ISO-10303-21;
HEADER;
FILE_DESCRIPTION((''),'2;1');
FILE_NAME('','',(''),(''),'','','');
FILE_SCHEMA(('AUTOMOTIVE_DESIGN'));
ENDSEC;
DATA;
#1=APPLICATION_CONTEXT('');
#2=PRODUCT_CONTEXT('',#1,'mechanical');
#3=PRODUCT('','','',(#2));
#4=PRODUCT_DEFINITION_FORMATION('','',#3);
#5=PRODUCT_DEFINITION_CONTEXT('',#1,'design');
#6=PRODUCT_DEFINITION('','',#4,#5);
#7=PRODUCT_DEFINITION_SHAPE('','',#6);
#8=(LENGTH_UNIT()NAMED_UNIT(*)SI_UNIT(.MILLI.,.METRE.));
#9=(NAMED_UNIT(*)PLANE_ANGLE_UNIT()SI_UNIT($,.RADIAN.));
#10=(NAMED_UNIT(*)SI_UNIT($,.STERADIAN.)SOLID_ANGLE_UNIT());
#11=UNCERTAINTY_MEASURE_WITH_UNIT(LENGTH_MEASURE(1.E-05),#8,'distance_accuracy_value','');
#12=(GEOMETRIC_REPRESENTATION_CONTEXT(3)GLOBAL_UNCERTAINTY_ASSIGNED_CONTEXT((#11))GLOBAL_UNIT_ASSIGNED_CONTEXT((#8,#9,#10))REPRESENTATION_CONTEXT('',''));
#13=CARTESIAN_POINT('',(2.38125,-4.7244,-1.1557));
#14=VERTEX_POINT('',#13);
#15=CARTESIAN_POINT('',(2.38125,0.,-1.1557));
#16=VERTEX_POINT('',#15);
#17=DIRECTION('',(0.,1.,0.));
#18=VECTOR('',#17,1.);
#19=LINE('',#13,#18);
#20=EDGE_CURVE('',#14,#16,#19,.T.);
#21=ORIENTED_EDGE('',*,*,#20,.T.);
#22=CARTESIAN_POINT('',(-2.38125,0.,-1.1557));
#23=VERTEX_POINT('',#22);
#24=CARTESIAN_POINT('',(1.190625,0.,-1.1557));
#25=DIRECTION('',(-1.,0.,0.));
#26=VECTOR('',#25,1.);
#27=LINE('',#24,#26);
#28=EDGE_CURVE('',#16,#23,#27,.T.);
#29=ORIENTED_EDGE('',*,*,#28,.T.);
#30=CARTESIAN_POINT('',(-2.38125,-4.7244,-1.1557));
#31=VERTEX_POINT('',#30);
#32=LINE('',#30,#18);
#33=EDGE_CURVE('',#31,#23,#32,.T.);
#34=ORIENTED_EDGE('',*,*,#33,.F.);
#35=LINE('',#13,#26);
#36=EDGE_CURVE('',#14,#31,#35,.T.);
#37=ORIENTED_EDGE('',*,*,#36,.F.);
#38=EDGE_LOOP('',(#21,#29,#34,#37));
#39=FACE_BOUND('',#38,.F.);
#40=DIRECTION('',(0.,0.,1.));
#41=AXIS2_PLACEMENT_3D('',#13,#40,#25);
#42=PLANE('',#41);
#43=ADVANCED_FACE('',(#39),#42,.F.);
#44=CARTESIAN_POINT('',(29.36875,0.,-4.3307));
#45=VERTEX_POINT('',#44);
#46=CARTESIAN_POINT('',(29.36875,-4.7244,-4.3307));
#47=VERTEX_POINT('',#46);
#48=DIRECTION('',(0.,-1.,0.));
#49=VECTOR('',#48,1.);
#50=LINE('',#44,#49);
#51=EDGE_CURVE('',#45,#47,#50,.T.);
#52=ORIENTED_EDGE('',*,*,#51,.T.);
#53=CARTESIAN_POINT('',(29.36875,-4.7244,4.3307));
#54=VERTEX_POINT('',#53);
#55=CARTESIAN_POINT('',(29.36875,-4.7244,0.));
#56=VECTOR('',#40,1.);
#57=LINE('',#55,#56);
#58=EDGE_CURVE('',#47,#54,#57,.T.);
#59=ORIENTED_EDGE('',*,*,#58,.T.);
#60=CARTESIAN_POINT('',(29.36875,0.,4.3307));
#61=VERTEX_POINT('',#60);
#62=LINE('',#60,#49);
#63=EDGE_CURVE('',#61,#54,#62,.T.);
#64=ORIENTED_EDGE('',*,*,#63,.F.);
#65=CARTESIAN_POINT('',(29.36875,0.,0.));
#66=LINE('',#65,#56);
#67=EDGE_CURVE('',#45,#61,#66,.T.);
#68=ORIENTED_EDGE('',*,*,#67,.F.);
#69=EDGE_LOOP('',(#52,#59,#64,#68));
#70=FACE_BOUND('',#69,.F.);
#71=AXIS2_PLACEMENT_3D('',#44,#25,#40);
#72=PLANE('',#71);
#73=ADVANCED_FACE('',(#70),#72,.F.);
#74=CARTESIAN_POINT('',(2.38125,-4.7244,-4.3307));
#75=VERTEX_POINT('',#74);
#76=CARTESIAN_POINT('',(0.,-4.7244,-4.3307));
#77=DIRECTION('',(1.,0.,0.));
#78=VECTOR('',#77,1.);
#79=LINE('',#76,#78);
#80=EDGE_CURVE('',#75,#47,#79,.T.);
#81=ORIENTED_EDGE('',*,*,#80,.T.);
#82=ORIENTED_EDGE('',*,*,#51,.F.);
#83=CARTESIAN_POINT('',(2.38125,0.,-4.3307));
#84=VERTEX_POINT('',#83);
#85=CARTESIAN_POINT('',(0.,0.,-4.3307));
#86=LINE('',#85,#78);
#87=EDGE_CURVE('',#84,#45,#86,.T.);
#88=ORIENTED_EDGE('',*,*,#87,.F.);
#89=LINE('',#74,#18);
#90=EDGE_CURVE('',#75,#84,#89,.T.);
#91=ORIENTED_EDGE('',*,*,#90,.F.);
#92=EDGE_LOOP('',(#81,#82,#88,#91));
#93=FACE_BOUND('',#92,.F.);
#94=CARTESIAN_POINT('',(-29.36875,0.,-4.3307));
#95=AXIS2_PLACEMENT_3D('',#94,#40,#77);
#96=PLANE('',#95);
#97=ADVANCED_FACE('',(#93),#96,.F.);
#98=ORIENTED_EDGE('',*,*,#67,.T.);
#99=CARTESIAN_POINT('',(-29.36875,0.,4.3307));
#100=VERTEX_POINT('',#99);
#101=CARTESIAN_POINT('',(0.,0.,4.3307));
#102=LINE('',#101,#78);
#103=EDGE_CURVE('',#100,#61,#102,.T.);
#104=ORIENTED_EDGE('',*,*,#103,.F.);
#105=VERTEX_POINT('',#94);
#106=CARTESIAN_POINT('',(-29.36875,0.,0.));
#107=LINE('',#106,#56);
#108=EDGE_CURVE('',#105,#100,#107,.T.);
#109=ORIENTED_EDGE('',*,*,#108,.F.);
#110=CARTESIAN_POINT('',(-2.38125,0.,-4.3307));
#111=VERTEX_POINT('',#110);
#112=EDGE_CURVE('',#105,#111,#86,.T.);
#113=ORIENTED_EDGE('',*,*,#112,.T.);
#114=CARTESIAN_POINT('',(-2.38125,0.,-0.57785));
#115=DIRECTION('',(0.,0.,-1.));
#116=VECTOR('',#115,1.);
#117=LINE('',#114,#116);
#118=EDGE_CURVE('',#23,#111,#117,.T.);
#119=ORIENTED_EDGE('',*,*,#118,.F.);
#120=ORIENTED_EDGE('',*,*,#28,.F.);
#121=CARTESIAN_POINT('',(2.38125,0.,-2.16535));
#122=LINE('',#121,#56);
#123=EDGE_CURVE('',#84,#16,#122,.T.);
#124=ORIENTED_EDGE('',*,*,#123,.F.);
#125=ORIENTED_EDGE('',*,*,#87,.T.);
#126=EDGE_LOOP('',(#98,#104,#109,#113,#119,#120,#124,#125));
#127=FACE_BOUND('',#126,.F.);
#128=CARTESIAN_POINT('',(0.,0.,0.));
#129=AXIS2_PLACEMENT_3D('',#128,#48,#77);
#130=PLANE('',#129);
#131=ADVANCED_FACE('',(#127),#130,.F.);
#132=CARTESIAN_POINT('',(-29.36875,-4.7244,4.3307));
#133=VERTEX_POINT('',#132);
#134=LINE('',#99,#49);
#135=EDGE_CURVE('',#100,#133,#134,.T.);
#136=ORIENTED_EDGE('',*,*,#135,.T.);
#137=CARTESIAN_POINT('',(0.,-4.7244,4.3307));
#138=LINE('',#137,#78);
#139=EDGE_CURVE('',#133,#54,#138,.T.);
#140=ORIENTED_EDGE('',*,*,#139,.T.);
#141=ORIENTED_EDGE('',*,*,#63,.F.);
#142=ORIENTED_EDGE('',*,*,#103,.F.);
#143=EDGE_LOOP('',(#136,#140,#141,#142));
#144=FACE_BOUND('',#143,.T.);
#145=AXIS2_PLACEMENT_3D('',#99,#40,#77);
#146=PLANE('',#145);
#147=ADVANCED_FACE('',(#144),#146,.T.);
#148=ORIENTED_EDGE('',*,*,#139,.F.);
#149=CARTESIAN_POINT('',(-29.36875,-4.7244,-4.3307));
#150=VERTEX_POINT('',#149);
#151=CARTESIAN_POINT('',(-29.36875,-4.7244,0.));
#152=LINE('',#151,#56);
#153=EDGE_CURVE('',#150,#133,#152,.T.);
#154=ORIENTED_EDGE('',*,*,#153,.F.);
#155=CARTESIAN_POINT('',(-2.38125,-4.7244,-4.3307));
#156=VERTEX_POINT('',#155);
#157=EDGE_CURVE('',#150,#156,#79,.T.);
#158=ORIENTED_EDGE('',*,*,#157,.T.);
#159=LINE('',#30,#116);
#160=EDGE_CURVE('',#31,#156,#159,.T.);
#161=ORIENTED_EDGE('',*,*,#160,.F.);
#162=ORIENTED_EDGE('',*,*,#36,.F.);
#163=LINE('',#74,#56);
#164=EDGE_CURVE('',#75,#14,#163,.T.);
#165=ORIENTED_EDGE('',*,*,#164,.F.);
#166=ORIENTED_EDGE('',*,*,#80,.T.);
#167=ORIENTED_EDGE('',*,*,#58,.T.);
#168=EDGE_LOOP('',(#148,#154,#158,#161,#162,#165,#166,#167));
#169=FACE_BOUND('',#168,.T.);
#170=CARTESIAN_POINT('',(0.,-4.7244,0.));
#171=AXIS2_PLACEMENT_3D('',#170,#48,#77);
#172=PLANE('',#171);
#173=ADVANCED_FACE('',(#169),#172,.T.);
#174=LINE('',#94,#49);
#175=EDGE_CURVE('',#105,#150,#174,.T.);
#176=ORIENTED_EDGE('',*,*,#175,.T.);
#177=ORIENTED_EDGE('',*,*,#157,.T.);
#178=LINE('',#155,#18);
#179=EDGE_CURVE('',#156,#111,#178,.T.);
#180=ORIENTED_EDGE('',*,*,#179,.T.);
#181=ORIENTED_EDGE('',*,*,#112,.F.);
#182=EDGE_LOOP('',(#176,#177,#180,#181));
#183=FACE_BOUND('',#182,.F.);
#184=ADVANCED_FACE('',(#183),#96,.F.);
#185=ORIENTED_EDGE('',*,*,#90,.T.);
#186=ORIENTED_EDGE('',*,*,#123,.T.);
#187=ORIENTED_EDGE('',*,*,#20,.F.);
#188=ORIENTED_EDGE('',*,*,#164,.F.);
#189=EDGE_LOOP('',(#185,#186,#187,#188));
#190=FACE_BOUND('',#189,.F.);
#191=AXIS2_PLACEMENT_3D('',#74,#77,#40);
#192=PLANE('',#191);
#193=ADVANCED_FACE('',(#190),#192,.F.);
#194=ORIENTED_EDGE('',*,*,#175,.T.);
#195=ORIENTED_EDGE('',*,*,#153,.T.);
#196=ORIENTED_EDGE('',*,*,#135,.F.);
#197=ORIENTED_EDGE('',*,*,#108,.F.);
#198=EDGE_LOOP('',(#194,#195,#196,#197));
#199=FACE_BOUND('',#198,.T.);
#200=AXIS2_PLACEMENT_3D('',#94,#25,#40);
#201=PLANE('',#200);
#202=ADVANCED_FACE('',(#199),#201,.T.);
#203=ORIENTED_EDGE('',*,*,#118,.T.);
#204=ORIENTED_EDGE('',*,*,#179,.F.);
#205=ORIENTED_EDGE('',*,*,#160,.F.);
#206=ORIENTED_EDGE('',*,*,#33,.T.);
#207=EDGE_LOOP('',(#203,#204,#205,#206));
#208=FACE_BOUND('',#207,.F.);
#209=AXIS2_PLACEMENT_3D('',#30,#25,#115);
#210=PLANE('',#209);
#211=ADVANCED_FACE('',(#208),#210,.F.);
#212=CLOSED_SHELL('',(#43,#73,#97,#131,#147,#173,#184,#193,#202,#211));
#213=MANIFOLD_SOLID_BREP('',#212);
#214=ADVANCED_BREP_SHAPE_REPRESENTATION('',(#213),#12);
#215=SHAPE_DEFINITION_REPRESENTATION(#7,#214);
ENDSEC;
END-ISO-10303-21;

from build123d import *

# Parameters (mm, degrees)
F0_W     = 58.7375
F0_H     = 8.6614
F1_DEPTH = 4.7244
F3_DEPTH = 25.4


with BuildPart() as f1:
    # F0 (on Front) → F1 (new body)
    with BuildSketch(Plane.XZ):
        Rectangle(F0_W, F0_H)
    extrude(amount=F1_DEPTH)

    # F2 (on face) → F3 (cut)
    with BuildSketch(Plane.XZ.offset(4.7244)):
        Polygon((-2.38125, -4.3307), (0, -4.3307), (2.38125, -4.3307), (2.38125, -1.1557), (-2.38125, -1.1557), align=None)
    extrude(amount=-F3_DEPTH, mode=Mode.SUBTRACT)


solid = f1.part
